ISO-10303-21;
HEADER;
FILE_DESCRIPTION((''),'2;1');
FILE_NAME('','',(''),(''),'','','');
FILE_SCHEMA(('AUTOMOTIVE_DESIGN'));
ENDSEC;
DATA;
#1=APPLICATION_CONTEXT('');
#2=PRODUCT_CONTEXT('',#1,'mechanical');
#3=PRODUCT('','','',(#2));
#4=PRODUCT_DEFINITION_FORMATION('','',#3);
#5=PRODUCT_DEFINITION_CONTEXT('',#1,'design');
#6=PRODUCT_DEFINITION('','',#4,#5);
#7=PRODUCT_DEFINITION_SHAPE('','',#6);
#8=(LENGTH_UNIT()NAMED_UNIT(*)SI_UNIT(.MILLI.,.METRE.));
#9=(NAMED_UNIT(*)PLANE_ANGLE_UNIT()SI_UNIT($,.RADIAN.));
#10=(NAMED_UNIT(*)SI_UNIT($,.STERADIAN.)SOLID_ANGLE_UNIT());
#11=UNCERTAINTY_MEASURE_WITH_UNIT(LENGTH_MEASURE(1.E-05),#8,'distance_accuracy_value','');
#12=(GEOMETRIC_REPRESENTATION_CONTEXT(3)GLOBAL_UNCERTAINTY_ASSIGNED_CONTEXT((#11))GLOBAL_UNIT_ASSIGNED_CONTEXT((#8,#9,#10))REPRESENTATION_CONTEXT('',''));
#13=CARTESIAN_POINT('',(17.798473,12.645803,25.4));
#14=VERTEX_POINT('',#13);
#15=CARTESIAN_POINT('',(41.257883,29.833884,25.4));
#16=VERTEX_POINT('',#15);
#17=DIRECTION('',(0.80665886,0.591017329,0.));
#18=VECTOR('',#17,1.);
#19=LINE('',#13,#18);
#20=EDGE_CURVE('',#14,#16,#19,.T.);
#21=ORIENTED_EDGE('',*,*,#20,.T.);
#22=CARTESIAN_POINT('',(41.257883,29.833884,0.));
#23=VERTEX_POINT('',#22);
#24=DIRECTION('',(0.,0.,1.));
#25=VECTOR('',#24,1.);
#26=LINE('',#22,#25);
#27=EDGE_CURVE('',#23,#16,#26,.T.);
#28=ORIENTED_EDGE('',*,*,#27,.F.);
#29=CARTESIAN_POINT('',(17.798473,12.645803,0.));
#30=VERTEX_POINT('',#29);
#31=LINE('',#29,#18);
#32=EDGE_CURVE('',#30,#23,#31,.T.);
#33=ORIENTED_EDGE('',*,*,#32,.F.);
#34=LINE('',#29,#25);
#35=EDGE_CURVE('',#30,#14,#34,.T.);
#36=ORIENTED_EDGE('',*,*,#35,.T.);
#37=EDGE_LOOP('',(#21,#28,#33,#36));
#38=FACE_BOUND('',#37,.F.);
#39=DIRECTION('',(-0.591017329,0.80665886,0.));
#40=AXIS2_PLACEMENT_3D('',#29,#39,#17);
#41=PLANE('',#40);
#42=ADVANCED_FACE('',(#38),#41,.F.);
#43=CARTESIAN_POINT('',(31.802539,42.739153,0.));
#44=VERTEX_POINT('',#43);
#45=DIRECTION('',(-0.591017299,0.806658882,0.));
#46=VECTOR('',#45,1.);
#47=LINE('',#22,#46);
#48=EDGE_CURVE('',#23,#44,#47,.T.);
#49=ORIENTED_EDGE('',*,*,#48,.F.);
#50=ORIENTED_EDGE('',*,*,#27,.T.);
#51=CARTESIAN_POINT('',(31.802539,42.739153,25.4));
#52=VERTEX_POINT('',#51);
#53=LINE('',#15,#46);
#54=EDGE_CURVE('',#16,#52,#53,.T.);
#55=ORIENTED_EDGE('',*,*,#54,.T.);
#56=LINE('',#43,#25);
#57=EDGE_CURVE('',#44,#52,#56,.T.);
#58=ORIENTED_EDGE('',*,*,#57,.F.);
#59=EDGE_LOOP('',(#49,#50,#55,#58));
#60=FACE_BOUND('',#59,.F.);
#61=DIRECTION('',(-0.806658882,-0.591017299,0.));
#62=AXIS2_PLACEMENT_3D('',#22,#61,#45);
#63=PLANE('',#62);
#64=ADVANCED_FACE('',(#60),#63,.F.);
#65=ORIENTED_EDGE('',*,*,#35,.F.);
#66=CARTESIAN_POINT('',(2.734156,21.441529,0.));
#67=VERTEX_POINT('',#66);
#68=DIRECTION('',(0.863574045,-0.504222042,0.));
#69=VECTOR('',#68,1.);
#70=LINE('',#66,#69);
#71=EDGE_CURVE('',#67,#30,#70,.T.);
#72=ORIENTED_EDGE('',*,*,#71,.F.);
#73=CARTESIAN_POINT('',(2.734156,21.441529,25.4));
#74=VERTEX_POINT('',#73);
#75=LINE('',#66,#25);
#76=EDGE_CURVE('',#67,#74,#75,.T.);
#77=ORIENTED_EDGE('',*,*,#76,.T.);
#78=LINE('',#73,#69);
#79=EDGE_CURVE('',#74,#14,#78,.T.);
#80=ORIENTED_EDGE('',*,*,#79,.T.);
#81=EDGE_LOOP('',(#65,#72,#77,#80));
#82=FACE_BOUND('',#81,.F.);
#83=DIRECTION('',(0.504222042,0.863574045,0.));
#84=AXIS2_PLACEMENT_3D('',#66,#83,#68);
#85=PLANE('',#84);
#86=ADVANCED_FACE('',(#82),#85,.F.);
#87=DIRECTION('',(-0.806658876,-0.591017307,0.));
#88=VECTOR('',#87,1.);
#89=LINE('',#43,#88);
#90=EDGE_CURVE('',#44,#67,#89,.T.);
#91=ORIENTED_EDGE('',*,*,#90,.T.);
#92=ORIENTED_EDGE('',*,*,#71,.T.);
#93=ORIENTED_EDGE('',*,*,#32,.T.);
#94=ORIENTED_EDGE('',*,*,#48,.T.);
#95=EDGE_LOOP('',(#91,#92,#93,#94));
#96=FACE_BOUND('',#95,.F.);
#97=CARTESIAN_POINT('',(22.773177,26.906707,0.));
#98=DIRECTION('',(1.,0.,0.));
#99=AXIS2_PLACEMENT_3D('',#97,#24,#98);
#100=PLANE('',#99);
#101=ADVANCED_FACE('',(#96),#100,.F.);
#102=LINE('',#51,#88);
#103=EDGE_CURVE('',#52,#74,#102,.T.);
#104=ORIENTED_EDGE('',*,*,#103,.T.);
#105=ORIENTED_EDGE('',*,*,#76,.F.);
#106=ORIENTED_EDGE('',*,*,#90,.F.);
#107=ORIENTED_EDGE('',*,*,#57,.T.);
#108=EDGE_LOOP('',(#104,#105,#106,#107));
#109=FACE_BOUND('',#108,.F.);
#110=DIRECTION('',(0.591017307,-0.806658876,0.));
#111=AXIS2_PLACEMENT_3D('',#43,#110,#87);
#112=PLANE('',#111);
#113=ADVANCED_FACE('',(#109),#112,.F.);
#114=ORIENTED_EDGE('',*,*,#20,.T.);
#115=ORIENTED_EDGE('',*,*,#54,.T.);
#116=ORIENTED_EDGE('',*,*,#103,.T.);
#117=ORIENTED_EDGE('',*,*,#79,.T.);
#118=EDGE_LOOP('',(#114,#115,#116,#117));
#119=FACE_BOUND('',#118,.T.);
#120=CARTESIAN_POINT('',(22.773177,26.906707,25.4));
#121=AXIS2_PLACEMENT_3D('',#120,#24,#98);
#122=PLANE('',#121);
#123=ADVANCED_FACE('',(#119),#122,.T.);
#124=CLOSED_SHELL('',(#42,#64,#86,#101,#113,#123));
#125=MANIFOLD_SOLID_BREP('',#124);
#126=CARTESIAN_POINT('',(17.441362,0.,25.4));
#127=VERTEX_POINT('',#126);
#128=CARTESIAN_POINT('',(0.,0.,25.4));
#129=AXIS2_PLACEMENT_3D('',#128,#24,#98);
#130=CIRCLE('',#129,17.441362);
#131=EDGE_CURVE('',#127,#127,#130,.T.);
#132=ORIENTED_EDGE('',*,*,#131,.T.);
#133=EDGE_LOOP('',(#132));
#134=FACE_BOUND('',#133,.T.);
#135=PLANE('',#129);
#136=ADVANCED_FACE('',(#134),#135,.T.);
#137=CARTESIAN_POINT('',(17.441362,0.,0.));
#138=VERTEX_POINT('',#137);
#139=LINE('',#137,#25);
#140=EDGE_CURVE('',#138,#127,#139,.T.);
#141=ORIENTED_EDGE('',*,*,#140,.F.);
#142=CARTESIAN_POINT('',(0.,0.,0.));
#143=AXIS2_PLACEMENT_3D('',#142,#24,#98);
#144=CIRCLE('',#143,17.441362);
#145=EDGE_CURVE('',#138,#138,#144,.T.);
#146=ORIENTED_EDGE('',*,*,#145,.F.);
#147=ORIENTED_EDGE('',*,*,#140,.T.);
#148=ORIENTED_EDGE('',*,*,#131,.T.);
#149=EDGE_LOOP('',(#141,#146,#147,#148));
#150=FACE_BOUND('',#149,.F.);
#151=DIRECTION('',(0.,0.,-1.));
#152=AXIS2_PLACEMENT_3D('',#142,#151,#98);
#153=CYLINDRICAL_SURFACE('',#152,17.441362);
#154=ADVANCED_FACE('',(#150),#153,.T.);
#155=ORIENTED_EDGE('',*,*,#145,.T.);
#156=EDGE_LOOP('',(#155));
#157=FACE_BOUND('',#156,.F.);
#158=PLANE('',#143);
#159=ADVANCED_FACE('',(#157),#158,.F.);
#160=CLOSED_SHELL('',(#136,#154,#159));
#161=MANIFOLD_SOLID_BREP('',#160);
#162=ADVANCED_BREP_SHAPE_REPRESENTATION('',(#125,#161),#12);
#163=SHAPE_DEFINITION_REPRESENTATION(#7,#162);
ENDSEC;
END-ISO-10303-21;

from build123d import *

# Parameters (mm, degrees)
F0_R     = 17.441362
F1_DEPTH = 25.4


with BuildPart() as f1:
    # F0 (on Top) → F1 (new body)
    with BuildSketch(Plane.XY):
        Circle(F0_R)
        Polygon((31.802539, 42.739153), (2.734156, 21.441529), (17.798473, 12.645803), (41.257883, 29.833884), align=None)
    extrude(amount=F1_DEPTH)


solid = f1.part
